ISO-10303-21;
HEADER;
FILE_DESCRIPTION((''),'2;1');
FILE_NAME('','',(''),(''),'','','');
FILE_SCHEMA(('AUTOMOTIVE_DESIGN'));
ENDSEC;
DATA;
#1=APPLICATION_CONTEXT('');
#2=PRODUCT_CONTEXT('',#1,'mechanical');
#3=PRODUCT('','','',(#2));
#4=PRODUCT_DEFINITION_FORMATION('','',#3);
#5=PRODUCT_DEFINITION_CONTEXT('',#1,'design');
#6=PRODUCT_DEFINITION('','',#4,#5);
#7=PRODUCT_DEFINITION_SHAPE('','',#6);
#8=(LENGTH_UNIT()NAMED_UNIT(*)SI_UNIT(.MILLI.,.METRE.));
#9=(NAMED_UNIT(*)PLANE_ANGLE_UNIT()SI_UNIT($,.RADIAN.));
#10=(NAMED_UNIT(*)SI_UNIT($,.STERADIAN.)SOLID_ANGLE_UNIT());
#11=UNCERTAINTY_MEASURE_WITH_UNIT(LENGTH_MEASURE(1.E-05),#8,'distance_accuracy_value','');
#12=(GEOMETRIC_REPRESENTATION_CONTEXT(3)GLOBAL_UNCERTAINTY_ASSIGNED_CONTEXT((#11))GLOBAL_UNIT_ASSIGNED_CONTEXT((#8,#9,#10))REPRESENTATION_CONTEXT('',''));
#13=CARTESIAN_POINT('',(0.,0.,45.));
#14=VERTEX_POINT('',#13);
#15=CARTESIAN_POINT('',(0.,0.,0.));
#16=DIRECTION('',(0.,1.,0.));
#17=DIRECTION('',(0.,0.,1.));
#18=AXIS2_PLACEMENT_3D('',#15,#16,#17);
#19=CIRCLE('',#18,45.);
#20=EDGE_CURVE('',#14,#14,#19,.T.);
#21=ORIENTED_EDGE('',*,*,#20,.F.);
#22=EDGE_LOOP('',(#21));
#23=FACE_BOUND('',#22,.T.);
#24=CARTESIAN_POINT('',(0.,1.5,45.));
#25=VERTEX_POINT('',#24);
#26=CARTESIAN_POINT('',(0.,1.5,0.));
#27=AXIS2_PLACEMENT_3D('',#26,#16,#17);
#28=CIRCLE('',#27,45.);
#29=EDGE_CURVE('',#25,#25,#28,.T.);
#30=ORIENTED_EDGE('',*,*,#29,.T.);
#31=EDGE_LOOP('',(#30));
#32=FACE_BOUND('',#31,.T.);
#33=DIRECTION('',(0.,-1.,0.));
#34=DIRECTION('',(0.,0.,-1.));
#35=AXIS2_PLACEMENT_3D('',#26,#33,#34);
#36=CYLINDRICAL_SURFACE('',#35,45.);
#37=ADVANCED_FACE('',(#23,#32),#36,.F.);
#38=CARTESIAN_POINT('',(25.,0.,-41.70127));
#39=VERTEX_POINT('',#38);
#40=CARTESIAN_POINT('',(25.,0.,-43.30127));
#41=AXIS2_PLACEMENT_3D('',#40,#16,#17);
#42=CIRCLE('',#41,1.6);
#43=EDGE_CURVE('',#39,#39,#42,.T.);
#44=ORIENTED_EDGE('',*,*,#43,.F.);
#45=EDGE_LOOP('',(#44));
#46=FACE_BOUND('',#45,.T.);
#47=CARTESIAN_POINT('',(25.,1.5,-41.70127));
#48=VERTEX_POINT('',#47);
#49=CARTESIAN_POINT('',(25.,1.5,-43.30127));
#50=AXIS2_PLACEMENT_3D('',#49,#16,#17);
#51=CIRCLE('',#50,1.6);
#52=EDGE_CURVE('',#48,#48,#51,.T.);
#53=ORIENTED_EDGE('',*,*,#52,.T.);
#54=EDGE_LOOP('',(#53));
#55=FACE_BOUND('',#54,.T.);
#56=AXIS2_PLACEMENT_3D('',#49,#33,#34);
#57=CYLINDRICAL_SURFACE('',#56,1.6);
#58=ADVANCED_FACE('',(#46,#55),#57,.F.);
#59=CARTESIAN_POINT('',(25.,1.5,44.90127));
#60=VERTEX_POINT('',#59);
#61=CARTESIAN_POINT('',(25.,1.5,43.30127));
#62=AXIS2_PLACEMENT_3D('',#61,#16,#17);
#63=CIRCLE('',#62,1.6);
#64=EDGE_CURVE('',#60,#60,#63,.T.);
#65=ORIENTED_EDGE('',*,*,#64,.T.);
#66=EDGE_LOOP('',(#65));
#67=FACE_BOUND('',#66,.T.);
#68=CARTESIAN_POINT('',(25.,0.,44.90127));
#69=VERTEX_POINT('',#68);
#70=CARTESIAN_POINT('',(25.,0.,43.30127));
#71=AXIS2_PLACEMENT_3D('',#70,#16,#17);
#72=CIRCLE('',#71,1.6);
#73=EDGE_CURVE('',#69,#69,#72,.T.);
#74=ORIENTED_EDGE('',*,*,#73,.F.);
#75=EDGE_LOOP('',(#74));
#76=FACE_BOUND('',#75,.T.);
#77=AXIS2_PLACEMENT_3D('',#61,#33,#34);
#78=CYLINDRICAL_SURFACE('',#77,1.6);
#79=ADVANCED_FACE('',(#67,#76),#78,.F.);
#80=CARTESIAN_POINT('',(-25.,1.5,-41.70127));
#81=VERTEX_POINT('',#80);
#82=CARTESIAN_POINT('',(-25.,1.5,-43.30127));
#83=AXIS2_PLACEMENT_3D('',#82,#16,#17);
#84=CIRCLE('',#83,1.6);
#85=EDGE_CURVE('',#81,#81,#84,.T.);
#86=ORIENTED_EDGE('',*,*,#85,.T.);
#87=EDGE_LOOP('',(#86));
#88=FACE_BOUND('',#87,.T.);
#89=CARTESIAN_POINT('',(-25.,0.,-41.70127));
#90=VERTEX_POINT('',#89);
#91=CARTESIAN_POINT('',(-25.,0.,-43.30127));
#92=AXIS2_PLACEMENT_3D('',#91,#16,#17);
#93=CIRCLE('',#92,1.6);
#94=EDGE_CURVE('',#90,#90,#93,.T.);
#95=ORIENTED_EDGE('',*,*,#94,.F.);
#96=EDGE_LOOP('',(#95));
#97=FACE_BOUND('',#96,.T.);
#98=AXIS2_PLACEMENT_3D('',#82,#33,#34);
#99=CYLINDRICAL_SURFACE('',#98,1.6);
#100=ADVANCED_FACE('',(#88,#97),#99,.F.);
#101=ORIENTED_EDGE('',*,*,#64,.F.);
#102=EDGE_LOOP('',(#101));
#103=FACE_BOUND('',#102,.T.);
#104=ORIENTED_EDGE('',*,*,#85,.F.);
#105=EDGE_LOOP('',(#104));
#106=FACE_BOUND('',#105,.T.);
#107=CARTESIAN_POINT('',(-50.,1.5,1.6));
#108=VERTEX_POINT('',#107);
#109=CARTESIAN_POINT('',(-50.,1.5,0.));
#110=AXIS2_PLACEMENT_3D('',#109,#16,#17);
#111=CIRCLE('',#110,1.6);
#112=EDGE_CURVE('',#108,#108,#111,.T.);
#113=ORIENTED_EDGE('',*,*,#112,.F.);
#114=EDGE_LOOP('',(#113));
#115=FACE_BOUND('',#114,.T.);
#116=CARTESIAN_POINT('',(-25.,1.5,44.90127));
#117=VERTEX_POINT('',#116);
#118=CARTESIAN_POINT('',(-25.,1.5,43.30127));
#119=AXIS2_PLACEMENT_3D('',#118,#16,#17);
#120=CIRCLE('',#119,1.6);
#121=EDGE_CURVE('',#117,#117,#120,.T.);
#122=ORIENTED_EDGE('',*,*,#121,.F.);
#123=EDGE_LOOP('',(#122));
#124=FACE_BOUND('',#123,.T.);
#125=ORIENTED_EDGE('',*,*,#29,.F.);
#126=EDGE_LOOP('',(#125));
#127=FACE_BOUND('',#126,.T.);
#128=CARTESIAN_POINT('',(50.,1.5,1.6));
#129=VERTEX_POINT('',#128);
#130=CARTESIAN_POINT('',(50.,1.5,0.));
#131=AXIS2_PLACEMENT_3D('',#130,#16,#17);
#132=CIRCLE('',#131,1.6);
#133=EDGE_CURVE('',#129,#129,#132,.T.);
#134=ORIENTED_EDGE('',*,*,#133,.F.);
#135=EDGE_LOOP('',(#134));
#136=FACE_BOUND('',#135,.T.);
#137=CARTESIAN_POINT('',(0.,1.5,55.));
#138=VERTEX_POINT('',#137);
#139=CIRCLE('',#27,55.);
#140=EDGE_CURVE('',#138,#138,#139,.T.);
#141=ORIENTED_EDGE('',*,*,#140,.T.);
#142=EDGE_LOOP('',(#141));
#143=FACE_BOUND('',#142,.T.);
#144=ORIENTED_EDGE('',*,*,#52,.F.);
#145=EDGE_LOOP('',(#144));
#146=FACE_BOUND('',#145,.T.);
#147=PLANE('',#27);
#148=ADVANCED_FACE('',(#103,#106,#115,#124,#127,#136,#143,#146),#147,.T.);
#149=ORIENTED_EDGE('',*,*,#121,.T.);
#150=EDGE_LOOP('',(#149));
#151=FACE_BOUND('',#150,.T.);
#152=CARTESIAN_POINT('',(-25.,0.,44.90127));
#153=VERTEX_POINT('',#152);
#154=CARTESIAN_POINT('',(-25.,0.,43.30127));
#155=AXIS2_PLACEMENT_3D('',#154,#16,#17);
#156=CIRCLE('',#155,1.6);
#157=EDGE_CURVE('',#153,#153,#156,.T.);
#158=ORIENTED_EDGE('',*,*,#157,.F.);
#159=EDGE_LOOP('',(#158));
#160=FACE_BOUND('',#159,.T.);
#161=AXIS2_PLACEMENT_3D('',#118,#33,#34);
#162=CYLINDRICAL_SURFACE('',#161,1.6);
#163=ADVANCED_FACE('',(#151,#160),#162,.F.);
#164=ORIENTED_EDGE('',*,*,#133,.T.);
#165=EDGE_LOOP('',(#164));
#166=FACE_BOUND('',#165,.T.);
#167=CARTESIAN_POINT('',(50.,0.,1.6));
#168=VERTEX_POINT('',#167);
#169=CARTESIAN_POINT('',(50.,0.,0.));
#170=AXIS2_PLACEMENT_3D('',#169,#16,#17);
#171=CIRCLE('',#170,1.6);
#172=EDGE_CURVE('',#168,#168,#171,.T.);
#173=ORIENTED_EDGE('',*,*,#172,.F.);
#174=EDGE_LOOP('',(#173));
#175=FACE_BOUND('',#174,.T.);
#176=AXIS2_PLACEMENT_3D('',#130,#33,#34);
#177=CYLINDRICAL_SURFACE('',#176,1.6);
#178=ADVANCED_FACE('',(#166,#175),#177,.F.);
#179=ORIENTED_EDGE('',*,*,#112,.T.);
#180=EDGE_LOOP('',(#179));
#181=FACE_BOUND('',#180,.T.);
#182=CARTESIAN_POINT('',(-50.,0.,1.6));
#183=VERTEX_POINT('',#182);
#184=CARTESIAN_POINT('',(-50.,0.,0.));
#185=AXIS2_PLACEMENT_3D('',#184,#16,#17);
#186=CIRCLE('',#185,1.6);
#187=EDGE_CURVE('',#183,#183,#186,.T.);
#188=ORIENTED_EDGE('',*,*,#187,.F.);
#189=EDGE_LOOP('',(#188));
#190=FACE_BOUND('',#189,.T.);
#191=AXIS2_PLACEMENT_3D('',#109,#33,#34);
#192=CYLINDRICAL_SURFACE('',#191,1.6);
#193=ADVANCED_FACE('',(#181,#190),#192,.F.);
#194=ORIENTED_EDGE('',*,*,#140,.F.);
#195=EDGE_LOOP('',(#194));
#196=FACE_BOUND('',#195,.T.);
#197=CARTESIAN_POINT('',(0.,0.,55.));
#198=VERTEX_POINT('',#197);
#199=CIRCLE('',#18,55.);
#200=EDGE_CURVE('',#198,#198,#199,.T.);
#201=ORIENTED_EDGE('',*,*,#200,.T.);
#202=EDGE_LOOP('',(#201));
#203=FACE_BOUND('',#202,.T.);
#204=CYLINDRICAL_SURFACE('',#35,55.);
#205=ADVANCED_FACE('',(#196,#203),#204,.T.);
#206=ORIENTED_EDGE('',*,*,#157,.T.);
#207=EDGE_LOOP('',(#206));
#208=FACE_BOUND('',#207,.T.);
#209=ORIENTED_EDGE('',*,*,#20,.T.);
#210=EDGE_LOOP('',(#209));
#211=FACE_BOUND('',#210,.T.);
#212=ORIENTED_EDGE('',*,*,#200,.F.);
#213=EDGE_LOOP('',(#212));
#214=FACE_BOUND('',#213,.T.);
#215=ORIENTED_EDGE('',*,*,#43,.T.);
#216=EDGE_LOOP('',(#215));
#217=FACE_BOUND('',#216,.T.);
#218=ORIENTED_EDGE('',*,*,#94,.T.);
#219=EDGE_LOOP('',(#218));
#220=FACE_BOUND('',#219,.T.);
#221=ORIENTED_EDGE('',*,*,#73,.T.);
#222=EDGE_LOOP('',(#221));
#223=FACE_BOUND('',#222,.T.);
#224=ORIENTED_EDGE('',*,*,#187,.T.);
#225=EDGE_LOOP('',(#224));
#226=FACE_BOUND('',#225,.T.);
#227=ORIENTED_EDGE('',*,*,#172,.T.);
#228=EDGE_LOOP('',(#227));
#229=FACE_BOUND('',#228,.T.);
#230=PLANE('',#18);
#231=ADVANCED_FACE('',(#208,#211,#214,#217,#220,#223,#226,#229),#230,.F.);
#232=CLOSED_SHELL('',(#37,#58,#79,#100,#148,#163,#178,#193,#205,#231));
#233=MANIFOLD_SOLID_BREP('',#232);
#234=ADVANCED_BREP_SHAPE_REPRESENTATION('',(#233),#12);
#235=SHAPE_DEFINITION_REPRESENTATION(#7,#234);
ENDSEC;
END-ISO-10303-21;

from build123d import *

# Parameters (mm, degrees)
SKETCH_1_R      = 55
SKETCH_1_R_2    = 45
SKETCH_1_R_3    = 1.6
EXTRUDE_1_DEPTH = 1.5


with BuildPart() as part:
    # 草图1 → 凸台-拉伸1 (new body)
    with BuildSketch(Plane(origin=(0, 0, 0), x_dir=(1, 0, 0), z_dir=(0, 1, 0))):
        with Locations(Location((0, 0, 0), (0, 0, 270))):
            Circle(SKETCH_1_R)
        with Locations(Location((0, 0, 0), (0, 0, 270))):
            Circle(SKETCH_1_R_2, mode=Mode.SUBTRACT)
        with Locations(Location((50, 0, 0), (0, 0, 270))):
            Circle(SKETCH_1_R_3, mode=Mode.SUBTRACT)
        with Locations(Location((25, -43.301270189, 0), (0, 0, 270))):
            Circle(SKETCH_1_R_3, mode=Mode.SUBTRACT)
        with Locations(Location((-25, -43.301270189, 0), (0, 0, 270))):
            Circle(SKETCH_1_R_3, mode=Mode.SUBTRACT)
        with Locations(Location((-50, 0, 0), (0, 0, 270))):
            Circle(SKETCH_1_R_3, mode=Mode.SUBTRACT)
        with Locations(Location((-25, 43.301270189, 0), (0, 0, 270))):
            Circle(SKETCH_1_R_3, mode=Mode.SUBTRACT)
        with Locations(Location((25, 43.301270189, 0), (0, 0, 270))):
            Circle(SKETCH_1_R_3, mode=Mode.SUBTRACT)
    extrude(amount=EXTRUDE_1_DEPTH)


solid = part.part
